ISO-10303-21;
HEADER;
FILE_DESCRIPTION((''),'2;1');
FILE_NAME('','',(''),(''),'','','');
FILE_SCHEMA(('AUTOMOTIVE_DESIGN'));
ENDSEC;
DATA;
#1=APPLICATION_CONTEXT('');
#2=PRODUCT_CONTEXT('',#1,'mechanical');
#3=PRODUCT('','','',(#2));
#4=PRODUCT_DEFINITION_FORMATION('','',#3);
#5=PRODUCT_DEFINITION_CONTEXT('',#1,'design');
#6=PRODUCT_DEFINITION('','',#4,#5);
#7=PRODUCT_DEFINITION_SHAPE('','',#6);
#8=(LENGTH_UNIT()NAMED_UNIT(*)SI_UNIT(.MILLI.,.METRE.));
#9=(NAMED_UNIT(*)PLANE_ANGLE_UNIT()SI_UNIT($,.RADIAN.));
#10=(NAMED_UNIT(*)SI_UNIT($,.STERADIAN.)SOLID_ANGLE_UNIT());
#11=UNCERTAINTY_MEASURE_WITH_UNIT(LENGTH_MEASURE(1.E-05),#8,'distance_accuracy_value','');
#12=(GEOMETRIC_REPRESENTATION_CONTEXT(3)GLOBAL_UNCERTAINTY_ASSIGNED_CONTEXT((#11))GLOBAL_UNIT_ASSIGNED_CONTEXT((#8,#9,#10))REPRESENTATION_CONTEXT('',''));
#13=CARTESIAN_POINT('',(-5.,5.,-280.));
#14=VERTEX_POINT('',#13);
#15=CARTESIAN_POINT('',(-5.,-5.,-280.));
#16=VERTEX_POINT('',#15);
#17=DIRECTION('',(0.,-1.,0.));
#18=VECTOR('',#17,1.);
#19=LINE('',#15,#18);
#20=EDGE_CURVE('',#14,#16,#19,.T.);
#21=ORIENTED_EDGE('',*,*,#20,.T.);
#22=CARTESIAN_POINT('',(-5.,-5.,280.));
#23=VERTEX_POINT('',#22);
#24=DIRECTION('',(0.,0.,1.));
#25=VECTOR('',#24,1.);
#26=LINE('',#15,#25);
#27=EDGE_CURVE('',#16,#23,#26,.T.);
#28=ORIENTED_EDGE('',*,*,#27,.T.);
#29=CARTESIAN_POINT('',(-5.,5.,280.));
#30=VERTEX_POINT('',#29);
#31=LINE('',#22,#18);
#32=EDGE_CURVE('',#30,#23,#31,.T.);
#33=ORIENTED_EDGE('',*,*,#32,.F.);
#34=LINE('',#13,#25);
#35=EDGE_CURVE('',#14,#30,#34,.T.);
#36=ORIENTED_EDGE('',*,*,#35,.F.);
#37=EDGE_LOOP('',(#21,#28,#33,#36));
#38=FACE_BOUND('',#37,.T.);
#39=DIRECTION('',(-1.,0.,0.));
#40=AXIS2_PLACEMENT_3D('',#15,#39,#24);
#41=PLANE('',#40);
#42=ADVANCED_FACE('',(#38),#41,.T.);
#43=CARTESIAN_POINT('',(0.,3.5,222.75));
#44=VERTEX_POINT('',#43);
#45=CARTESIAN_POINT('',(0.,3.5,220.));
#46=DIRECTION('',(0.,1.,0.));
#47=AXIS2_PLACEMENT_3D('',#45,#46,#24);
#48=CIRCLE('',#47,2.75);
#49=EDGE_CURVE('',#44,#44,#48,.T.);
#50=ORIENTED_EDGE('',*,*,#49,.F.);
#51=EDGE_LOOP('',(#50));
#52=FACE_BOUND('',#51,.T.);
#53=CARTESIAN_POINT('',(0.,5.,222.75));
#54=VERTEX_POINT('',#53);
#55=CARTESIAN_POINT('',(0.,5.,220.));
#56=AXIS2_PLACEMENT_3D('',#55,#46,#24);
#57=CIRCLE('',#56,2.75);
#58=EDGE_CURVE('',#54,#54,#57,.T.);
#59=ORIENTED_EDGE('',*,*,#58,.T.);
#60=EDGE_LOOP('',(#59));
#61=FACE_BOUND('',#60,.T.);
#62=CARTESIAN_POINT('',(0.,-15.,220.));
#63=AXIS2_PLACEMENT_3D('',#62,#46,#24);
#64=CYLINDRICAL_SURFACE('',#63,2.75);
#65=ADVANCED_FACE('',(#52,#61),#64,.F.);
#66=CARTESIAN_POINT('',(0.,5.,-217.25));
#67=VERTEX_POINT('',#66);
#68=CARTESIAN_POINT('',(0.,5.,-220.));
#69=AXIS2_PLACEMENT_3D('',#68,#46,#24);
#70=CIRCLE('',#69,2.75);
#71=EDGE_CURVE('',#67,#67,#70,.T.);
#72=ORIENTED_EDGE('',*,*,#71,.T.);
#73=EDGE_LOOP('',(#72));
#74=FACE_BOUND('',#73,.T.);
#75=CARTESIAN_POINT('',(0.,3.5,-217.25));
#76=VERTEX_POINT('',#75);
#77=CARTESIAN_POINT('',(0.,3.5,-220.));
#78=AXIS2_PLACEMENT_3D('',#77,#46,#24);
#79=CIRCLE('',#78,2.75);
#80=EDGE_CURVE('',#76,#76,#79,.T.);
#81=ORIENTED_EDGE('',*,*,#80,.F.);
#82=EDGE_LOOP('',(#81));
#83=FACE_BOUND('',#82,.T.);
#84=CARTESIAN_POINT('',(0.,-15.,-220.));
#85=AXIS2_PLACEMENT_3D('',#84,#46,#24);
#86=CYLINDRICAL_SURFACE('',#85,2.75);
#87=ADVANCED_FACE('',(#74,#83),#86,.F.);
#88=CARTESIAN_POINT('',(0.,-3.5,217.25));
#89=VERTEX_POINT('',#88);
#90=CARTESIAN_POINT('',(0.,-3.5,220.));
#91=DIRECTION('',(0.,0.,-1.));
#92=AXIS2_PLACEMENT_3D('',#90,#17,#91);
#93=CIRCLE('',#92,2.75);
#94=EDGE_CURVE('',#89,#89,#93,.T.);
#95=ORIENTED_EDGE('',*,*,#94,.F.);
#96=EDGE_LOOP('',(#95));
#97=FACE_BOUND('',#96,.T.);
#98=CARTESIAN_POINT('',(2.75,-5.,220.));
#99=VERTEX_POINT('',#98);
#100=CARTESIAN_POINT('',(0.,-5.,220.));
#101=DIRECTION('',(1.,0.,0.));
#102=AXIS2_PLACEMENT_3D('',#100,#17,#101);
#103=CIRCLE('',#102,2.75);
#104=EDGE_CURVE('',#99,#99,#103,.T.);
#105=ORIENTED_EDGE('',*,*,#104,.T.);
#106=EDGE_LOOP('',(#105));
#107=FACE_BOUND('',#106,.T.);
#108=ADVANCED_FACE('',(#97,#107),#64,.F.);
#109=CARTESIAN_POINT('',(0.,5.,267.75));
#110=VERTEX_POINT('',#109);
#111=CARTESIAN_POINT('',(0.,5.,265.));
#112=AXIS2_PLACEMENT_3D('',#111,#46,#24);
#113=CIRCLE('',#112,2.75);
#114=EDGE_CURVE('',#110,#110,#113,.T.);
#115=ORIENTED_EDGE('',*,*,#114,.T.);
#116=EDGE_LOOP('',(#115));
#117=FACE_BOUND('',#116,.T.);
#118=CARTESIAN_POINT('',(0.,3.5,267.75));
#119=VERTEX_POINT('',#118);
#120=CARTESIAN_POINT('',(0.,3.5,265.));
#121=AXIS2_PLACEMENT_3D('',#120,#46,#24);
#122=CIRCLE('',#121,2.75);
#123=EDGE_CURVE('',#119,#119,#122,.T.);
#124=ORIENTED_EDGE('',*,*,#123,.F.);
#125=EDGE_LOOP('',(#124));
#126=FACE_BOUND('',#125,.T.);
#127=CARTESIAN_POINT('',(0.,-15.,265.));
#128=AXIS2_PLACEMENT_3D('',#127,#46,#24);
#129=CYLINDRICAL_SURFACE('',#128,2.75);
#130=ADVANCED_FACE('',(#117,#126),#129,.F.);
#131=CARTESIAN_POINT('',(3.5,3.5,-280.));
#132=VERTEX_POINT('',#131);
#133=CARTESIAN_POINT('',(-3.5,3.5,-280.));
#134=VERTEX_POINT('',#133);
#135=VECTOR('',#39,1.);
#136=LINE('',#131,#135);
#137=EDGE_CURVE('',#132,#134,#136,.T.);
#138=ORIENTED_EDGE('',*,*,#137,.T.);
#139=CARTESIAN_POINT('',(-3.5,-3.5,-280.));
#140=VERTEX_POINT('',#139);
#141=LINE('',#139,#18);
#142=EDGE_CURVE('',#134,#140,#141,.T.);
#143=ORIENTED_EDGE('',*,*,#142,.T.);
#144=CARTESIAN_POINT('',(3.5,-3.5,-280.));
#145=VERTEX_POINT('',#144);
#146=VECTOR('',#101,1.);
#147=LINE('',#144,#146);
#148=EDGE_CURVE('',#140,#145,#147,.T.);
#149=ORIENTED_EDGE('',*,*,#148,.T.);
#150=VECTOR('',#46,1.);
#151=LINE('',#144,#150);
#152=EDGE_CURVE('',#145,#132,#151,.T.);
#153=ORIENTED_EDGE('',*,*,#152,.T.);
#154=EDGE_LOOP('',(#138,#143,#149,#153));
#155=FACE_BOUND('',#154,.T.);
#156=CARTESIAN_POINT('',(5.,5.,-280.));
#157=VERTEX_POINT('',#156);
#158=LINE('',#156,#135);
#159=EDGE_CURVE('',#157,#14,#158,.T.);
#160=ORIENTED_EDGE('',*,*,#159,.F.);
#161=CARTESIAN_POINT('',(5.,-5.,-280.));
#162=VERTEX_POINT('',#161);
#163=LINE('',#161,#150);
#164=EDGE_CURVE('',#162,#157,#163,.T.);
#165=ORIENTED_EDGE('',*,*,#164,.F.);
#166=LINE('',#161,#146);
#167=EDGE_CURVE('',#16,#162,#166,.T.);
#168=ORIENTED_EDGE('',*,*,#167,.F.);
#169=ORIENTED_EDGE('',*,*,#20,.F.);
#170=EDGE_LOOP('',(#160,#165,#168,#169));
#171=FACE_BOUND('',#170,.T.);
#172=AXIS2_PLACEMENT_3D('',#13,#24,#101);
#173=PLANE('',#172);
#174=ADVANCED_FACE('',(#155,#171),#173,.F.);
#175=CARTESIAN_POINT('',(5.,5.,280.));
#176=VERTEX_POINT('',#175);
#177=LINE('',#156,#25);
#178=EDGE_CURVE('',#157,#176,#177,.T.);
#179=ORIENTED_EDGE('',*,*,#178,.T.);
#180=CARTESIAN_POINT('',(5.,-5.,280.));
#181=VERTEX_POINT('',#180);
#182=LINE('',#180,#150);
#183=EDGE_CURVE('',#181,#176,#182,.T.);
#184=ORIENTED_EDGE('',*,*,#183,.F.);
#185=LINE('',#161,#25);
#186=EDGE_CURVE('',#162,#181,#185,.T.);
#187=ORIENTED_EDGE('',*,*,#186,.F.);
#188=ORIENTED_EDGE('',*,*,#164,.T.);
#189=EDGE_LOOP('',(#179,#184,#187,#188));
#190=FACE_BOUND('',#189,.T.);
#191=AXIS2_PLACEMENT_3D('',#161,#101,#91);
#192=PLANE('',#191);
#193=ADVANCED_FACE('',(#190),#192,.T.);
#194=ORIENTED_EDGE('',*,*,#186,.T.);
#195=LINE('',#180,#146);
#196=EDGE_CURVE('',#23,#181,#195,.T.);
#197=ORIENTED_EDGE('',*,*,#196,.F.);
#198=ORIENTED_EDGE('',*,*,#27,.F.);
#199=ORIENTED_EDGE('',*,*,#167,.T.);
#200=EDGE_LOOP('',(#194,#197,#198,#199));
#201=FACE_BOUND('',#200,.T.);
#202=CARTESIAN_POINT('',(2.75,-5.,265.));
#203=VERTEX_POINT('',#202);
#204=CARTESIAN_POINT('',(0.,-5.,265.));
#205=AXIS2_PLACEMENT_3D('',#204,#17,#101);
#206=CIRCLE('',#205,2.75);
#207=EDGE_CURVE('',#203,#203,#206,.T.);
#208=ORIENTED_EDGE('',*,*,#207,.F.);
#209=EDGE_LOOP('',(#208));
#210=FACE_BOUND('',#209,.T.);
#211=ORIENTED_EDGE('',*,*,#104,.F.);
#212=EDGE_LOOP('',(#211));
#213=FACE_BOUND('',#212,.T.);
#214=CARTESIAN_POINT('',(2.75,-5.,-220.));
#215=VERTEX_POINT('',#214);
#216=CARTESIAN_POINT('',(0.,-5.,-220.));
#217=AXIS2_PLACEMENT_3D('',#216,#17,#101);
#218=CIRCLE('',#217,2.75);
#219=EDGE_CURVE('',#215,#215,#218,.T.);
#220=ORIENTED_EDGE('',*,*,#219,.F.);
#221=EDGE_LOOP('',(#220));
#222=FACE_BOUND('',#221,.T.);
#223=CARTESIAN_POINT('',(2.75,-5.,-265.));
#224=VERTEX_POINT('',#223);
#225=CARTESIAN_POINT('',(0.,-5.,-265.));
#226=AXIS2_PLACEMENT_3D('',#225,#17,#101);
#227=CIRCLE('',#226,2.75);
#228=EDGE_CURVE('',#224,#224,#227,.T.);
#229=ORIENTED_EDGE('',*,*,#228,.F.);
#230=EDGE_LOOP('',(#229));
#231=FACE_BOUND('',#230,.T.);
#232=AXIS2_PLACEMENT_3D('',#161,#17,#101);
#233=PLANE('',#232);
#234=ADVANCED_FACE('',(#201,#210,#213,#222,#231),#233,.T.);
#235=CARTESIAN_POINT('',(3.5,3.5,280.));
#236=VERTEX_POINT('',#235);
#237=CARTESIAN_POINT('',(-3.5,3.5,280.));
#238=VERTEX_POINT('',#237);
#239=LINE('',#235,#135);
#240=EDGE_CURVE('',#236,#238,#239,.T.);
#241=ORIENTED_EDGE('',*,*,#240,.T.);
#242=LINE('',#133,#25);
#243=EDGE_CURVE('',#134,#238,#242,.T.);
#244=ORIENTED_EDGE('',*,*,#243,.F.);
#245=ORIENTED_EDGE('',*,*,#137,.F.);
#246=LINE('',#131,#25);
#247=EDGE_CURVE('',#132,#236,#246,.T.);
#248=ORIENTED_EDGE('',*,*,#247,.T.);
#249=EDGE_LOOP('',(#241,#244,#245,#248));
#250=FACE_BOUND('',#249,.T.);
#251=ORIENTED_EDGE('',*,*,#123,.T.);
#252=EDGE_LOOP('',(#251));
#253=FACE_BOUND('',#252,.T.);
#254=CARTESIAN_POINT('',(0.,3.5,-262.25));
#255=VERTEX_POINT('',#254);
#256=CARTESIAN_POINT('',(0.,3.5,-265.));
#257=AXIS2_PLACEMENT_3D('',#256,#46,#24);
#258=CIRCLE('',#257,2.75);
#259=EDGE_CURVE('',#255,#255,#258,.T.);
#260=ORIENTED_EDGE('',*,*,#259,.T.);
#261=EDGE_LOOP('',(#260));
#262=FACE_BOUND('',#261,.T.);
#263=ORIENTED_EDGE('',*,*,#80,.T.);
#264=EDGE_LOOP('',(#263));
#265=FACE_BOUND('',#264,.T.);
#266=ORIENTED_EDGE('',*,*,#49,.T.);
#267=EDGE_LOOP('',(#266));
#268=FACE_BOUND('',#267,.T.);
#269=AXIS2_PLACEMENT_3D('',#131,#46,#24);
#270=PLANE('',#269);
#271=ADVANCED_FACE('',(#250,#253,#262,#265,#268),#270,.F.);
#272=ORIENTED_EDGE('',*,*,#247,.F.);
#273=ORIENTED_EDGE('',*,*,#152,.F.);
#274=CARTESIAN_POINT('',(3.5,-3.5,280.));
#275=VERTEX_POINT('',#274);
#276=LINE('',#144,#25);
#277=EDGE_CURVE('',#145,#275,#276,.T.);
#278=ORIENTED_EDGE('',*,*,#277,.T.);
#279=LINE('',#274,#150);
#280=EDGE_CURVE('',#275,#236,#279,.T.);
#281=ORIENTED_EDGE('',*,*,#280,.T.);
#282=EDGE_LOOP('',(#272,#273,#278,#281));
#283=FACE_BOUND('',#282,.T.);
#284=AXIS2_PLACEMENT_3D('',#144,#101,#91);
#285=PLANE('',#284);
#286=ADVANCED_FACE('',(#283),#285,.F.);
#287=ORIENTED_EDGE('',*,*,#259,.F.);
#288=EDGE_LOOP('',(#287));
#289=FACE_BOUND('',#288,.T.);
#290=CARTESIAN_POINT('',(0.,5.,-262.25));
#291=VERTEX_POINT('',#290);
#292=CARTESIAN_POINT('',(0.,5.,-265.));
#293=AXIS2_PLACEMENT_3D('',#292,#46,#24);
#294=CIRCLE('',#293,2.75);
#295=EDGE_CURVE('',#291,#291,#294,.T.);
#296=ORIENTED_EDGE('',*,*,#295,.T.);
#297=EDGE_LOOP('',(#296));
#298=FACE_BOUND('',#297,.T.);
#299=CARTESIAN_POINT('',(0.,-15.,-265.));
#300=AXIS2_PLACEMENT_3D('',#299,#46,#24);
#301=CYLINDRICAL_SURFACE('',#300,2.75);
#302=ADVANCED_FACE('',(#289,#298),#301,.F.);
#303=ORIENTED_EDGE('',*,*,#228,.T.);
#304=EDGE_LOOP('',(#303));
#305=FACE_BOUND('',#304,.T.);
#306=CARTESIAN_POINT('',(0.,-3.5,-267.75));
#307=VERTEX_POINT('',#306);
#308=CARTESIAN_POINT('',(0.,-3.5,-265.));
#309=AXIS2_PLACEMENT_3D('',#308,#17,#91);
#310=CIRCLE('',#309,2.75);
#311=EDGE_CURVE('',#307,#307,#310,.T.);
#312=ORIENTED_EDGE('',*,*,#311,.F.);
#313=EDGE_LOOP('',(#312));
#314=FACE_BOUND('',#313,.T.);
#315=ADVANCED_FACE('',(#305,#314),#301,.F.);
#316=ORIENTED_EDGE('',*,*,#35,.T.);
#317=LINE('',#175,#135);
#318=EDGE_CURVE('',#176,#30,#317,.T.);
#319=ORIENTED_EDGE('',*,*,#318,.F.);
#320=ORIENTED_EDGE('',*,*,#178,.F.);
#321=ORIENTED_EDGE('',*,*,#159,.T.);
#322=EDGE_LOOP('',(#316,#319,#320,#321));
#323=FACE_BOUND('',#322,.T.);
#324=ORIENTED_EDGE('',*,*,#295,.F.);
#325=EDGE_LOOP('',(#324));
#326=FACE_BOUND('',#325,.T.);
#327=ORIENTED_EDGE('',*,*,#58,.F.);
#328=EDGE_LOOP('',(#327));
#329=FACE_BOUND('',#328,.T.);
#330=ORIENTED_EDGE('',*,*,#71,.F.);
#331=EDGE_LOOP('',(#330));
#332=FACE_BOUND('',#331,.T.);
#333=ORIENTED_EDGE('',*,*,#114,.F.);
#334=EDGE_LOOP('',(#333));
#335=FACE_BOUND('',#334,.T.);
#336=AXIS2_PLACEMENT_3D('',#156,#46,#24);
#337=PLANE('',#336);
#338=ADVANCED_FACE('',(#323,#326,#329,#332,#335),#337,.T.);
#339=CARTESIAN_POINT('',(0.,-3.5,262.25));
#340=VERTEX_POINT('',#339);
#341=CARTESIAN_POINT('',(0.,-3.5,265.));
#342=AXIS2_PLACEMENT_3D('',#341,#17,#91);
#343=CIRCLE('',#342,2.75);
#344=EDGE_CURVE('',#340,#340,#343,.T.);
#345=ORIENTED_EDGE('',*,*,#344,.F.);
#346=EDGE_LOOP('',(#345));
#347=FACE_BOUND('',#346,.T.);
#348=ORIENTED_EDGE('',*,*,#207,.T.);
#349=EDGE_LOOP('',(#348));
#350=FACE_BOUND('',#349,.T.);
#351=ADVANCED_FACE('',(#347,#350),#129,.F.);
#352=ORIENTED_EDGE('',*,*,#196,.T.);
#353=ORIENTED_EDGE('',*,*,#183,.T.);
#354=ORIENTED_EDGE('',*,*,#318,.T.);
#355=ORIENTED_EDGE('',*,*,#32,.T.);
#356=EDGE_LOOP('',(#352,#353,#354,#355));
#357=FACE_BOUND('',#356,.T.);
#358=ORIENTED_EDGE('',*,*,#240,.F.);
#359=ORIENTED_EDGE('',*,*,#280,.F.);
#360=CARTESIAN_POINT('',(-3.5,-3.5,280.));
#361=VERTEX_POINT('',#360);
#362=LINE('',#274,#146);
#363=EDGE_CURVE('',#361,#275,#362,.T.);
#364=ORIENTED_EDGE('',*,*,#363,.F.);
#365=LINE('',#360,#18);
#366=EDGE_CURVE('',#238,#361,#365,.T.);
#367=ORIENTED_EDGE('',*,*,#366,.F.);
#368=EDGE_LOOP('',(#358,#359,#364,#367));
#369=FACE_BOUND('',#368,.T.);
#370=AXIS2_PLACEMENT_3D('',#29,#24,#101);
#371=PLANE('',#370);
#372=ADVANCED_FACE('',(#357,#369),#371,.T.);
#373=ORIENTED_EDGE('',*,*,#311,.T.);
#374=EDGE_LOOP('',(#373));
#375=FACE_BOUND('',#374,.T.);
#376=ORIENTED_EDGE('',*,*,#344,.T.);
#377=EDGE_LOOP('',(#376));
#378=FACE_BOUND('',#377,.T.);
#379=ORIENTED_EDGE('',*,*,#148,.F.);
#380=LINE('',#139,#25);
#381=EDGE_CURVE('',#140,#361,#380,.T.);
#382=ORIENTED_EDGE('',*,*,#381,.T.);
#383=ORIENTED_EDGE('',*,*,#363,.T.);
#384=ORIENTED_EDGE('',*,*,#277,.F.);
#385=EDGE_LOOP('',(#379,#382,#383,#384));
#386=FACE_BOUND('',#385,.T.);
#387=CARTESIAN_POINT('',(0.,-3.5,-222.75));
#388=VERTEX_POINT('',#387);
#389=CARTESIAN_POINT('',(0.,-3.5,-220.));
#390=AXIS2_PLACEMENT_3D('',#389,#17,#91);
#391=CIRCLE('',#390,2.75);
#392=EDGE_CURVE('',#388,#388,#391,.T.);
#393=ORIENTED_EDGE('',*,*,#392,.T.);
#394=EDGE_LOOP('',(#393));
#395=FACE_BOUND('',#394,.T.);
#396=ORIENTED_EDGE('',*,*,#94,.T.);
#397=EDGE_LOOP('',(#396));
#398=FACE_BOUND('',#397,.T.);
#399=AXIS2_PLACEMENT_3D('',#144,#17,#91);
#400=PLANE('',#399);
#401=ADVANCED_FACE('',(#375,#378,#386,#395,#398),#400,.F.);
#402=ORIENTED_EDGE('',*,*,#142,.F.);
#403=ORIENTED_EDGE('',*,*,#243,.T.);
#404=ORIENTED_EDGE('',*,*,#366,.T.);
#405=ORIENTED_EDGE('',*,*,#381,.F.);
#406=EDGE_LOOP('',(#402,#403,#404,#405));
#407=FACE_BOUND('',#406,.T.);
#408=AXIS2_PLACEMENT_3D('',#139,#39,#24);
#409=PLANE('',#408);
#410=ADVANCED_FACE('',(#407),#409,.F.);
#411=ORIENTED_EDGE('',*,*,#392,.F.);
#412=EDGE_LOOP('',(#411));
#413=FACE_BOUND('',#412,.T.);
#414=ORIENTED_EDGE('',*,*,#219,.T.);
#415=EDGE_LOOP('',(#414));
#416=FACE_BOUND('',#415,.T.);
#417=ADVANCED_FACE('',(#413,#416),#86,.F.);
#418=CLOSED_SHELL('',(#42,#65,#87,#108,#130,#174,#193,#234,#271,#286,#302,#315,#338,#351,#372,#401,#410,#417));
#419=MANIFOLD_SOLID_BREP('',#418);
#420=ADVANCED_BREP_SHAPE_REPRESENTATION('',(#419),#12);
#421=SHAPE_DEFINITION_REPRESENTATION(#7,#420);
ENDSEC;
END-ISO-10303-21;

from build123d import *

# Parameters (mm, degrees)
SKIZZE1_W                       = 10
SKIZZE1_H                       = 10
SKIZZE1_W_2                     = 7
SKIZZE1_H_2                     = 7
AUFSATZ_LINEAR_AUSTRAGEN1_DEPTH = 280
SKIZZE2_R                       = 2.75
SCHNITT_LINEAR_AUSTRAGEN1_DEPTH = 15


with BuildPart() as part:
    # Skizze1 → Aufsatz-Linear austragen1 (new, symmetric)
    with BuildSketch(Plane.XY):
        Rectangle(SKIZZE1_W, SKIZZE1_H)
        Rectangle(SKIZZE1_W_2, SKIZZE1_H_2, mode=Mode.SUBTRACT)
    extrude(amount=AUFSATZ_LINEAR_AUSTRAGEN1_DEPTH, both=True)

    # Skizze2 → Schnitt-Linear austragen1 (cut, symmetric)
    with BuildSketch(Plane(origin=(0, 0, 0), x_dir=(1, 0, 0), z_dir=(0, 1, 0))):
        with Locations((0, -265)):
            Circle(SKIZZE2_R)
        with Locations((0, 265)):
            Circle(SKIZZE2_R)
        with Locations((0, -220)):
            Circle(SKIZZE2_R)
        with Locations((0, 220)):
            Circle(SKIZZE2_R)
    extrude(amount=SCHNITT_LINEAR_AUSTRAGEN1_DEPTH, both=True, mode=Mode.SUBTRACT)


solid = part.part
